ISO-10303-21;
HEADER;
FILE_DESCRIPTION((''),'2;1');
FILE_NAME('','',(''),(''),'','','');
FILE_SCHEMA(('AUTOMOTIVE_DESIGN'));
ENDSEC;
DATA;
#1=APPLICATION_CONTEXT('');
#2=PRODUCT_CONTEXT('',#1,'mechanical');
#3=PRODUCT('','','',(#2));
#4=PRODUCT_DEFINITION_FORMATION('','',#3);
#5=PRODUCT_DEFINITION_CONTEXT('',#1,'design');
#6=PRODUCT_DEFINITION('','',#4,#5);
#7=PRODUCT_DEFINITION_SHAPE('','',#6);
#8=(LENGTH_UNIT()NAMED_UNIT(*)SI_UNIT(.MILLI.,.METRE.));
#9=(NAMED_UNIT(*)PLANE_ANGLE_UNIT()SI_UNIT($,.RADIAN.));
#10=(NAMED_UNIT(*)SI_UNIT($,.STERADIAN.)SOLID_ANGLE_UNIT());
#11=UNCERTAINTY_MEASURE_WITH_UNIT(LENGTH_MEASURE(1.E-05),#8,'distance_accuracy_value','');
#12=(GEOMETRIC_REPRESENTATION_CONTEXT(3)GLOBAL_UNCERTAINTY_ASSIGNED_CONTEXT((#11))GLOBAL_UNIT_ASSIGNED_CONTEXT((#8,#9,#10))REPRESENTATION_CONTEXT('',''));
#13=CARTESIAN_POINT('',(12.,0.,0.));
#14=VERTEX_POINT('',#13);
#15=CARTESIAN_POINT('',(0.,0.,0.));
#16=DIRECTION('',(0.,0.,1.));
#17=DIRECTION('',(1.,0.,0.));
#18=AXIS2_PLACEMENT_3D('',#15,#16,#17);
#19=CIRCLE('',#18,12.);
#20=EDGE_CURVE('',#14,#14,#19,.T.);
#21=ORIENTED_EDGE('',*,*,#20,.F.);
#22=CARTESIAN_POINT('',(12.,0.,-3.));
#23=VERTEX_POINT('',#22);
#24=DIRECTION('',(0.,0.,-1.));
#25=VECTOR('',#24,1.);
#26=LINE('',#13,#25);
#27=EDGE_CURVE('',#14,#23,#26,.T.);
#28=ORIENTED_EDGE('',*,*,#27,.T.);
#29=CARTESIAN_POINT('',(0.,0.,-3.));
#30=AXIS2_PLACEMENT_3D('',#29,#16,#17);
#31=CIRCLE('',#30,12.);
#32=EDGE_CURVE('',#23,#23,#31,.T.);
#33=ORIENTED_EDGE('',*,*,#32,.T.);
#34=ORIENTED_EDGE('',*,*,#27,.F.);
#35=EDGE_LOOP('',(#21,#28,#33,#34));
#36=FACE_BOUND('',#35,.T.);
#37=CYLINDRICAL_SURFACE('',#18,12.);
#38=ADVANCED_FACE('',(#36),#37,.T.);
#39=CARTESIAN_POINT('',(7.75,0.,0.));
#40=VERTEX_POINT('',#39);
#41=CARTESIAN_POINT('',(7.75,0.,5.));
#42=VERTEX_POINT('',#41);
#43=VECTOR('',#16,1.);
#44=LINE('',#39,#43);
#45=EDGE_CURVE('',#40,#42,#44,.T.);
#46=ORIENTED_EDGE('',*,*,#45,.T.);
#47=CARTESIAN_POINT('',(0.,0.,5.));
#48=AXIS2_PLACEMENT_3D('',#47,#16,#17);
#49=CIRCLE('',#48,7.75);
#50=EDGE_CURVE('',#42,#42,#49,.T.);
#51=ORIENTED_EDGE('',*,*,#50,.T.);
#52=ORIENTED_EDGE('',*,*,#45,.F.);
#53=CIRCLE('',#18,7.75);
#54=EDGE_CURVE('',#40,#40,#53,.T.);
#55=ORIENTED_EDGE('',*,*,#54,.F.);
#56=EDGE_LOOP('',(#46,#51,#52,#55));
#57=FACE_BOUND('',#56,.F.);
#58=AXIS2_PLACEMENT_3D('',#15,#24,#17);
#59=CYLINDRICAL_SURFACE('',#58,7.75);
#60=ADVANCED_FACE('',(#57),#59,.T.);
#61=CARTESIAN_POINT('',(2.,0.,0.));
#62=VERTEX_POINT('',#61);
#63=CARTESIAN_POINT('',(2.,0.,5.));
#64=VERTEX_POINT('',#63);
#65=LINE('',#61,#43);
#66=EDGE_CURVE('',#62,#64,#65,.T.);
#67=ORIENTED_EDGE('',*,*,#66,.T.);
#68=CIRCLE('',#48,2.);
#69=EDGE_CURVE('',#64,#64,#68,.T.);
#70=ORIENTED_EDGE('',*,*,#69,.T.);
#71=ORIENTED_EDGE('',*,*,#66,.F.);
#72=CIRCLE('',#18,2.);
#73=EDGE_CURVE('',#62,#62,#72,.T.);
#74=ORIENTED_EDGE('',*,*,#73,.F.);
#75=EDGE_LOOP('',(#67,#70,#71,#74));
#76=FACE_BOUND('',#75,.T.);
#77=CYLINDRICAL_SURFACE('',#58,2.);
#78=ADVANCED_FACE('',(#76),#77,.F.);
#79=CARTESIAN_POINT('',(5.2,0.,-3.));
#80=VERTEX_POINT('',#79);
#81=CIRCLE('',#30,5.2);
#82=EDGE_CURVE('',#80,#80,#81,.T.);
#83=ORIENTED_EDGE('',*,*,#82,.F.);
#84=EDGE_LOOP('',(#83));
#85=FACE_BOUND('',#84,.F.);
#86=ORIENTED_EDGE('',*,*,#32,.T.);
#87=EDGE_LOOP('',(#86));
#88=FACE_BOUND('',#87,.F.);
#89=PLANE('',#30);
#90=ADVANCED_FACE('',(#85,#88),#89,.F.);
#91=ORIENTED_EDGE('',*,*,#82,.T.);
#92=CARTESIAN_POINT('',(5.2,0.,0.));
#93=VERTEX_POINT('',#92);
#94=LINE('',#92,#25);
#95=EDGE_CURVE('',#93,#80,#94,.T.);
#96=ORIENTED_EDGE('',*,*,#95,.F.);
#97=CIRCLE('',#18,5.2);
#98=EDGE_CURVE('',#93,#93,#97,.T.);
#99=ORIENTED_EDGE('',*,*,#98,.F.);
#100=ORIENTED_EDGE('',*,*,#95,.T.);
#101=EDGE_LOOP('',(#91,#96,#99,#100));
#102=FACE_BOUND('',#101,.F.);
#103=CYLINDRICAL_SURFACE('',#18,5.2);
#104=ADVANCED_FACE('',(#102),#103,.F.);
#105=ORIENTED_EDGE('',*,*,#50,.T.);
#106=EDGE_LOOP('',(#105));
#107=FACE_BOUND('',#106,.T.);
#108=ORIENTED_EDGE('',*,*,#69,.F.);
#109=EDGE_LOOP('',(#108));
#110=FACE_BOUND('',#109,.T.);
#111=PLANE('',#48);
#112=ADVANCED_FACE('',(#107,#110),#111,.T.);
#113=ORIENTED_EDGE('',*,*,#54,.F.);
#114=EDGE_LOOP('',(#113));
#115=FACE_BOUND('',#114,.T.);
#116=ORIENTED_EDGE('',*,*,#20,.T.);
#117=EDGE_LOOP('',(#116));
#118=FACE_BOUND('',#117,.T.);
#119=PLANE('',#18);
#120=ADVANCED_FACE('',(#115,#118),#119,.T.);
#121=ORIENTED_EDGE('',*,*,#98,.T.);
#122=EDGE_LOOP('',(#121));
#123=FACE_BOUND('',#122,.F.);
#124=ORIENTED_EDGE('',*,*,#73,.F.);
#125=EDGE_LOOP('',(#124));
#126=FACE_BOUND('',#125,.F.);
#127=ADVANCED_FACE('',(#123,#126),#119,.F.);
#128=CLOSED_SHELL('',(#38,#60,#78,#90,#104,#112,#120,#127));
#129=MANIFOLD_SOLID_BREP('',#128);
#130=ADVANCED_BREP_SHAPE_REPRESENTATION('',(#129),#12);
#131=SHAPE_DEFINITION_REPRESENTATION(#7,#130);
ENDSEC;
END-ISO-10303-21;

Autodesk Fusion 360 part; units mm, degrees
sketch "Sketch1" plane through (0, 0, 0) normal (0, 0, 1) x (1, 0, 0)
  circle A0 centre (0, 0) radius 7.75
  circle A1 centre (0, 0) radius 12
  circle A2 centre (0, 0) radius 2
  circle A3 centre (0, 0) radius 5.2
  dimension "d1" = 15.5
  dimension "d2" = 24
  dimension "d3" = 4
  dimension "d4" = 10.4
extrude "Extrude1" add sketch "Sketch1" along normal blind 5 contours A0 | A3
extrude "Extrude2" add sketch "Sketch1" against normal blind 3 contours A0 | A1
